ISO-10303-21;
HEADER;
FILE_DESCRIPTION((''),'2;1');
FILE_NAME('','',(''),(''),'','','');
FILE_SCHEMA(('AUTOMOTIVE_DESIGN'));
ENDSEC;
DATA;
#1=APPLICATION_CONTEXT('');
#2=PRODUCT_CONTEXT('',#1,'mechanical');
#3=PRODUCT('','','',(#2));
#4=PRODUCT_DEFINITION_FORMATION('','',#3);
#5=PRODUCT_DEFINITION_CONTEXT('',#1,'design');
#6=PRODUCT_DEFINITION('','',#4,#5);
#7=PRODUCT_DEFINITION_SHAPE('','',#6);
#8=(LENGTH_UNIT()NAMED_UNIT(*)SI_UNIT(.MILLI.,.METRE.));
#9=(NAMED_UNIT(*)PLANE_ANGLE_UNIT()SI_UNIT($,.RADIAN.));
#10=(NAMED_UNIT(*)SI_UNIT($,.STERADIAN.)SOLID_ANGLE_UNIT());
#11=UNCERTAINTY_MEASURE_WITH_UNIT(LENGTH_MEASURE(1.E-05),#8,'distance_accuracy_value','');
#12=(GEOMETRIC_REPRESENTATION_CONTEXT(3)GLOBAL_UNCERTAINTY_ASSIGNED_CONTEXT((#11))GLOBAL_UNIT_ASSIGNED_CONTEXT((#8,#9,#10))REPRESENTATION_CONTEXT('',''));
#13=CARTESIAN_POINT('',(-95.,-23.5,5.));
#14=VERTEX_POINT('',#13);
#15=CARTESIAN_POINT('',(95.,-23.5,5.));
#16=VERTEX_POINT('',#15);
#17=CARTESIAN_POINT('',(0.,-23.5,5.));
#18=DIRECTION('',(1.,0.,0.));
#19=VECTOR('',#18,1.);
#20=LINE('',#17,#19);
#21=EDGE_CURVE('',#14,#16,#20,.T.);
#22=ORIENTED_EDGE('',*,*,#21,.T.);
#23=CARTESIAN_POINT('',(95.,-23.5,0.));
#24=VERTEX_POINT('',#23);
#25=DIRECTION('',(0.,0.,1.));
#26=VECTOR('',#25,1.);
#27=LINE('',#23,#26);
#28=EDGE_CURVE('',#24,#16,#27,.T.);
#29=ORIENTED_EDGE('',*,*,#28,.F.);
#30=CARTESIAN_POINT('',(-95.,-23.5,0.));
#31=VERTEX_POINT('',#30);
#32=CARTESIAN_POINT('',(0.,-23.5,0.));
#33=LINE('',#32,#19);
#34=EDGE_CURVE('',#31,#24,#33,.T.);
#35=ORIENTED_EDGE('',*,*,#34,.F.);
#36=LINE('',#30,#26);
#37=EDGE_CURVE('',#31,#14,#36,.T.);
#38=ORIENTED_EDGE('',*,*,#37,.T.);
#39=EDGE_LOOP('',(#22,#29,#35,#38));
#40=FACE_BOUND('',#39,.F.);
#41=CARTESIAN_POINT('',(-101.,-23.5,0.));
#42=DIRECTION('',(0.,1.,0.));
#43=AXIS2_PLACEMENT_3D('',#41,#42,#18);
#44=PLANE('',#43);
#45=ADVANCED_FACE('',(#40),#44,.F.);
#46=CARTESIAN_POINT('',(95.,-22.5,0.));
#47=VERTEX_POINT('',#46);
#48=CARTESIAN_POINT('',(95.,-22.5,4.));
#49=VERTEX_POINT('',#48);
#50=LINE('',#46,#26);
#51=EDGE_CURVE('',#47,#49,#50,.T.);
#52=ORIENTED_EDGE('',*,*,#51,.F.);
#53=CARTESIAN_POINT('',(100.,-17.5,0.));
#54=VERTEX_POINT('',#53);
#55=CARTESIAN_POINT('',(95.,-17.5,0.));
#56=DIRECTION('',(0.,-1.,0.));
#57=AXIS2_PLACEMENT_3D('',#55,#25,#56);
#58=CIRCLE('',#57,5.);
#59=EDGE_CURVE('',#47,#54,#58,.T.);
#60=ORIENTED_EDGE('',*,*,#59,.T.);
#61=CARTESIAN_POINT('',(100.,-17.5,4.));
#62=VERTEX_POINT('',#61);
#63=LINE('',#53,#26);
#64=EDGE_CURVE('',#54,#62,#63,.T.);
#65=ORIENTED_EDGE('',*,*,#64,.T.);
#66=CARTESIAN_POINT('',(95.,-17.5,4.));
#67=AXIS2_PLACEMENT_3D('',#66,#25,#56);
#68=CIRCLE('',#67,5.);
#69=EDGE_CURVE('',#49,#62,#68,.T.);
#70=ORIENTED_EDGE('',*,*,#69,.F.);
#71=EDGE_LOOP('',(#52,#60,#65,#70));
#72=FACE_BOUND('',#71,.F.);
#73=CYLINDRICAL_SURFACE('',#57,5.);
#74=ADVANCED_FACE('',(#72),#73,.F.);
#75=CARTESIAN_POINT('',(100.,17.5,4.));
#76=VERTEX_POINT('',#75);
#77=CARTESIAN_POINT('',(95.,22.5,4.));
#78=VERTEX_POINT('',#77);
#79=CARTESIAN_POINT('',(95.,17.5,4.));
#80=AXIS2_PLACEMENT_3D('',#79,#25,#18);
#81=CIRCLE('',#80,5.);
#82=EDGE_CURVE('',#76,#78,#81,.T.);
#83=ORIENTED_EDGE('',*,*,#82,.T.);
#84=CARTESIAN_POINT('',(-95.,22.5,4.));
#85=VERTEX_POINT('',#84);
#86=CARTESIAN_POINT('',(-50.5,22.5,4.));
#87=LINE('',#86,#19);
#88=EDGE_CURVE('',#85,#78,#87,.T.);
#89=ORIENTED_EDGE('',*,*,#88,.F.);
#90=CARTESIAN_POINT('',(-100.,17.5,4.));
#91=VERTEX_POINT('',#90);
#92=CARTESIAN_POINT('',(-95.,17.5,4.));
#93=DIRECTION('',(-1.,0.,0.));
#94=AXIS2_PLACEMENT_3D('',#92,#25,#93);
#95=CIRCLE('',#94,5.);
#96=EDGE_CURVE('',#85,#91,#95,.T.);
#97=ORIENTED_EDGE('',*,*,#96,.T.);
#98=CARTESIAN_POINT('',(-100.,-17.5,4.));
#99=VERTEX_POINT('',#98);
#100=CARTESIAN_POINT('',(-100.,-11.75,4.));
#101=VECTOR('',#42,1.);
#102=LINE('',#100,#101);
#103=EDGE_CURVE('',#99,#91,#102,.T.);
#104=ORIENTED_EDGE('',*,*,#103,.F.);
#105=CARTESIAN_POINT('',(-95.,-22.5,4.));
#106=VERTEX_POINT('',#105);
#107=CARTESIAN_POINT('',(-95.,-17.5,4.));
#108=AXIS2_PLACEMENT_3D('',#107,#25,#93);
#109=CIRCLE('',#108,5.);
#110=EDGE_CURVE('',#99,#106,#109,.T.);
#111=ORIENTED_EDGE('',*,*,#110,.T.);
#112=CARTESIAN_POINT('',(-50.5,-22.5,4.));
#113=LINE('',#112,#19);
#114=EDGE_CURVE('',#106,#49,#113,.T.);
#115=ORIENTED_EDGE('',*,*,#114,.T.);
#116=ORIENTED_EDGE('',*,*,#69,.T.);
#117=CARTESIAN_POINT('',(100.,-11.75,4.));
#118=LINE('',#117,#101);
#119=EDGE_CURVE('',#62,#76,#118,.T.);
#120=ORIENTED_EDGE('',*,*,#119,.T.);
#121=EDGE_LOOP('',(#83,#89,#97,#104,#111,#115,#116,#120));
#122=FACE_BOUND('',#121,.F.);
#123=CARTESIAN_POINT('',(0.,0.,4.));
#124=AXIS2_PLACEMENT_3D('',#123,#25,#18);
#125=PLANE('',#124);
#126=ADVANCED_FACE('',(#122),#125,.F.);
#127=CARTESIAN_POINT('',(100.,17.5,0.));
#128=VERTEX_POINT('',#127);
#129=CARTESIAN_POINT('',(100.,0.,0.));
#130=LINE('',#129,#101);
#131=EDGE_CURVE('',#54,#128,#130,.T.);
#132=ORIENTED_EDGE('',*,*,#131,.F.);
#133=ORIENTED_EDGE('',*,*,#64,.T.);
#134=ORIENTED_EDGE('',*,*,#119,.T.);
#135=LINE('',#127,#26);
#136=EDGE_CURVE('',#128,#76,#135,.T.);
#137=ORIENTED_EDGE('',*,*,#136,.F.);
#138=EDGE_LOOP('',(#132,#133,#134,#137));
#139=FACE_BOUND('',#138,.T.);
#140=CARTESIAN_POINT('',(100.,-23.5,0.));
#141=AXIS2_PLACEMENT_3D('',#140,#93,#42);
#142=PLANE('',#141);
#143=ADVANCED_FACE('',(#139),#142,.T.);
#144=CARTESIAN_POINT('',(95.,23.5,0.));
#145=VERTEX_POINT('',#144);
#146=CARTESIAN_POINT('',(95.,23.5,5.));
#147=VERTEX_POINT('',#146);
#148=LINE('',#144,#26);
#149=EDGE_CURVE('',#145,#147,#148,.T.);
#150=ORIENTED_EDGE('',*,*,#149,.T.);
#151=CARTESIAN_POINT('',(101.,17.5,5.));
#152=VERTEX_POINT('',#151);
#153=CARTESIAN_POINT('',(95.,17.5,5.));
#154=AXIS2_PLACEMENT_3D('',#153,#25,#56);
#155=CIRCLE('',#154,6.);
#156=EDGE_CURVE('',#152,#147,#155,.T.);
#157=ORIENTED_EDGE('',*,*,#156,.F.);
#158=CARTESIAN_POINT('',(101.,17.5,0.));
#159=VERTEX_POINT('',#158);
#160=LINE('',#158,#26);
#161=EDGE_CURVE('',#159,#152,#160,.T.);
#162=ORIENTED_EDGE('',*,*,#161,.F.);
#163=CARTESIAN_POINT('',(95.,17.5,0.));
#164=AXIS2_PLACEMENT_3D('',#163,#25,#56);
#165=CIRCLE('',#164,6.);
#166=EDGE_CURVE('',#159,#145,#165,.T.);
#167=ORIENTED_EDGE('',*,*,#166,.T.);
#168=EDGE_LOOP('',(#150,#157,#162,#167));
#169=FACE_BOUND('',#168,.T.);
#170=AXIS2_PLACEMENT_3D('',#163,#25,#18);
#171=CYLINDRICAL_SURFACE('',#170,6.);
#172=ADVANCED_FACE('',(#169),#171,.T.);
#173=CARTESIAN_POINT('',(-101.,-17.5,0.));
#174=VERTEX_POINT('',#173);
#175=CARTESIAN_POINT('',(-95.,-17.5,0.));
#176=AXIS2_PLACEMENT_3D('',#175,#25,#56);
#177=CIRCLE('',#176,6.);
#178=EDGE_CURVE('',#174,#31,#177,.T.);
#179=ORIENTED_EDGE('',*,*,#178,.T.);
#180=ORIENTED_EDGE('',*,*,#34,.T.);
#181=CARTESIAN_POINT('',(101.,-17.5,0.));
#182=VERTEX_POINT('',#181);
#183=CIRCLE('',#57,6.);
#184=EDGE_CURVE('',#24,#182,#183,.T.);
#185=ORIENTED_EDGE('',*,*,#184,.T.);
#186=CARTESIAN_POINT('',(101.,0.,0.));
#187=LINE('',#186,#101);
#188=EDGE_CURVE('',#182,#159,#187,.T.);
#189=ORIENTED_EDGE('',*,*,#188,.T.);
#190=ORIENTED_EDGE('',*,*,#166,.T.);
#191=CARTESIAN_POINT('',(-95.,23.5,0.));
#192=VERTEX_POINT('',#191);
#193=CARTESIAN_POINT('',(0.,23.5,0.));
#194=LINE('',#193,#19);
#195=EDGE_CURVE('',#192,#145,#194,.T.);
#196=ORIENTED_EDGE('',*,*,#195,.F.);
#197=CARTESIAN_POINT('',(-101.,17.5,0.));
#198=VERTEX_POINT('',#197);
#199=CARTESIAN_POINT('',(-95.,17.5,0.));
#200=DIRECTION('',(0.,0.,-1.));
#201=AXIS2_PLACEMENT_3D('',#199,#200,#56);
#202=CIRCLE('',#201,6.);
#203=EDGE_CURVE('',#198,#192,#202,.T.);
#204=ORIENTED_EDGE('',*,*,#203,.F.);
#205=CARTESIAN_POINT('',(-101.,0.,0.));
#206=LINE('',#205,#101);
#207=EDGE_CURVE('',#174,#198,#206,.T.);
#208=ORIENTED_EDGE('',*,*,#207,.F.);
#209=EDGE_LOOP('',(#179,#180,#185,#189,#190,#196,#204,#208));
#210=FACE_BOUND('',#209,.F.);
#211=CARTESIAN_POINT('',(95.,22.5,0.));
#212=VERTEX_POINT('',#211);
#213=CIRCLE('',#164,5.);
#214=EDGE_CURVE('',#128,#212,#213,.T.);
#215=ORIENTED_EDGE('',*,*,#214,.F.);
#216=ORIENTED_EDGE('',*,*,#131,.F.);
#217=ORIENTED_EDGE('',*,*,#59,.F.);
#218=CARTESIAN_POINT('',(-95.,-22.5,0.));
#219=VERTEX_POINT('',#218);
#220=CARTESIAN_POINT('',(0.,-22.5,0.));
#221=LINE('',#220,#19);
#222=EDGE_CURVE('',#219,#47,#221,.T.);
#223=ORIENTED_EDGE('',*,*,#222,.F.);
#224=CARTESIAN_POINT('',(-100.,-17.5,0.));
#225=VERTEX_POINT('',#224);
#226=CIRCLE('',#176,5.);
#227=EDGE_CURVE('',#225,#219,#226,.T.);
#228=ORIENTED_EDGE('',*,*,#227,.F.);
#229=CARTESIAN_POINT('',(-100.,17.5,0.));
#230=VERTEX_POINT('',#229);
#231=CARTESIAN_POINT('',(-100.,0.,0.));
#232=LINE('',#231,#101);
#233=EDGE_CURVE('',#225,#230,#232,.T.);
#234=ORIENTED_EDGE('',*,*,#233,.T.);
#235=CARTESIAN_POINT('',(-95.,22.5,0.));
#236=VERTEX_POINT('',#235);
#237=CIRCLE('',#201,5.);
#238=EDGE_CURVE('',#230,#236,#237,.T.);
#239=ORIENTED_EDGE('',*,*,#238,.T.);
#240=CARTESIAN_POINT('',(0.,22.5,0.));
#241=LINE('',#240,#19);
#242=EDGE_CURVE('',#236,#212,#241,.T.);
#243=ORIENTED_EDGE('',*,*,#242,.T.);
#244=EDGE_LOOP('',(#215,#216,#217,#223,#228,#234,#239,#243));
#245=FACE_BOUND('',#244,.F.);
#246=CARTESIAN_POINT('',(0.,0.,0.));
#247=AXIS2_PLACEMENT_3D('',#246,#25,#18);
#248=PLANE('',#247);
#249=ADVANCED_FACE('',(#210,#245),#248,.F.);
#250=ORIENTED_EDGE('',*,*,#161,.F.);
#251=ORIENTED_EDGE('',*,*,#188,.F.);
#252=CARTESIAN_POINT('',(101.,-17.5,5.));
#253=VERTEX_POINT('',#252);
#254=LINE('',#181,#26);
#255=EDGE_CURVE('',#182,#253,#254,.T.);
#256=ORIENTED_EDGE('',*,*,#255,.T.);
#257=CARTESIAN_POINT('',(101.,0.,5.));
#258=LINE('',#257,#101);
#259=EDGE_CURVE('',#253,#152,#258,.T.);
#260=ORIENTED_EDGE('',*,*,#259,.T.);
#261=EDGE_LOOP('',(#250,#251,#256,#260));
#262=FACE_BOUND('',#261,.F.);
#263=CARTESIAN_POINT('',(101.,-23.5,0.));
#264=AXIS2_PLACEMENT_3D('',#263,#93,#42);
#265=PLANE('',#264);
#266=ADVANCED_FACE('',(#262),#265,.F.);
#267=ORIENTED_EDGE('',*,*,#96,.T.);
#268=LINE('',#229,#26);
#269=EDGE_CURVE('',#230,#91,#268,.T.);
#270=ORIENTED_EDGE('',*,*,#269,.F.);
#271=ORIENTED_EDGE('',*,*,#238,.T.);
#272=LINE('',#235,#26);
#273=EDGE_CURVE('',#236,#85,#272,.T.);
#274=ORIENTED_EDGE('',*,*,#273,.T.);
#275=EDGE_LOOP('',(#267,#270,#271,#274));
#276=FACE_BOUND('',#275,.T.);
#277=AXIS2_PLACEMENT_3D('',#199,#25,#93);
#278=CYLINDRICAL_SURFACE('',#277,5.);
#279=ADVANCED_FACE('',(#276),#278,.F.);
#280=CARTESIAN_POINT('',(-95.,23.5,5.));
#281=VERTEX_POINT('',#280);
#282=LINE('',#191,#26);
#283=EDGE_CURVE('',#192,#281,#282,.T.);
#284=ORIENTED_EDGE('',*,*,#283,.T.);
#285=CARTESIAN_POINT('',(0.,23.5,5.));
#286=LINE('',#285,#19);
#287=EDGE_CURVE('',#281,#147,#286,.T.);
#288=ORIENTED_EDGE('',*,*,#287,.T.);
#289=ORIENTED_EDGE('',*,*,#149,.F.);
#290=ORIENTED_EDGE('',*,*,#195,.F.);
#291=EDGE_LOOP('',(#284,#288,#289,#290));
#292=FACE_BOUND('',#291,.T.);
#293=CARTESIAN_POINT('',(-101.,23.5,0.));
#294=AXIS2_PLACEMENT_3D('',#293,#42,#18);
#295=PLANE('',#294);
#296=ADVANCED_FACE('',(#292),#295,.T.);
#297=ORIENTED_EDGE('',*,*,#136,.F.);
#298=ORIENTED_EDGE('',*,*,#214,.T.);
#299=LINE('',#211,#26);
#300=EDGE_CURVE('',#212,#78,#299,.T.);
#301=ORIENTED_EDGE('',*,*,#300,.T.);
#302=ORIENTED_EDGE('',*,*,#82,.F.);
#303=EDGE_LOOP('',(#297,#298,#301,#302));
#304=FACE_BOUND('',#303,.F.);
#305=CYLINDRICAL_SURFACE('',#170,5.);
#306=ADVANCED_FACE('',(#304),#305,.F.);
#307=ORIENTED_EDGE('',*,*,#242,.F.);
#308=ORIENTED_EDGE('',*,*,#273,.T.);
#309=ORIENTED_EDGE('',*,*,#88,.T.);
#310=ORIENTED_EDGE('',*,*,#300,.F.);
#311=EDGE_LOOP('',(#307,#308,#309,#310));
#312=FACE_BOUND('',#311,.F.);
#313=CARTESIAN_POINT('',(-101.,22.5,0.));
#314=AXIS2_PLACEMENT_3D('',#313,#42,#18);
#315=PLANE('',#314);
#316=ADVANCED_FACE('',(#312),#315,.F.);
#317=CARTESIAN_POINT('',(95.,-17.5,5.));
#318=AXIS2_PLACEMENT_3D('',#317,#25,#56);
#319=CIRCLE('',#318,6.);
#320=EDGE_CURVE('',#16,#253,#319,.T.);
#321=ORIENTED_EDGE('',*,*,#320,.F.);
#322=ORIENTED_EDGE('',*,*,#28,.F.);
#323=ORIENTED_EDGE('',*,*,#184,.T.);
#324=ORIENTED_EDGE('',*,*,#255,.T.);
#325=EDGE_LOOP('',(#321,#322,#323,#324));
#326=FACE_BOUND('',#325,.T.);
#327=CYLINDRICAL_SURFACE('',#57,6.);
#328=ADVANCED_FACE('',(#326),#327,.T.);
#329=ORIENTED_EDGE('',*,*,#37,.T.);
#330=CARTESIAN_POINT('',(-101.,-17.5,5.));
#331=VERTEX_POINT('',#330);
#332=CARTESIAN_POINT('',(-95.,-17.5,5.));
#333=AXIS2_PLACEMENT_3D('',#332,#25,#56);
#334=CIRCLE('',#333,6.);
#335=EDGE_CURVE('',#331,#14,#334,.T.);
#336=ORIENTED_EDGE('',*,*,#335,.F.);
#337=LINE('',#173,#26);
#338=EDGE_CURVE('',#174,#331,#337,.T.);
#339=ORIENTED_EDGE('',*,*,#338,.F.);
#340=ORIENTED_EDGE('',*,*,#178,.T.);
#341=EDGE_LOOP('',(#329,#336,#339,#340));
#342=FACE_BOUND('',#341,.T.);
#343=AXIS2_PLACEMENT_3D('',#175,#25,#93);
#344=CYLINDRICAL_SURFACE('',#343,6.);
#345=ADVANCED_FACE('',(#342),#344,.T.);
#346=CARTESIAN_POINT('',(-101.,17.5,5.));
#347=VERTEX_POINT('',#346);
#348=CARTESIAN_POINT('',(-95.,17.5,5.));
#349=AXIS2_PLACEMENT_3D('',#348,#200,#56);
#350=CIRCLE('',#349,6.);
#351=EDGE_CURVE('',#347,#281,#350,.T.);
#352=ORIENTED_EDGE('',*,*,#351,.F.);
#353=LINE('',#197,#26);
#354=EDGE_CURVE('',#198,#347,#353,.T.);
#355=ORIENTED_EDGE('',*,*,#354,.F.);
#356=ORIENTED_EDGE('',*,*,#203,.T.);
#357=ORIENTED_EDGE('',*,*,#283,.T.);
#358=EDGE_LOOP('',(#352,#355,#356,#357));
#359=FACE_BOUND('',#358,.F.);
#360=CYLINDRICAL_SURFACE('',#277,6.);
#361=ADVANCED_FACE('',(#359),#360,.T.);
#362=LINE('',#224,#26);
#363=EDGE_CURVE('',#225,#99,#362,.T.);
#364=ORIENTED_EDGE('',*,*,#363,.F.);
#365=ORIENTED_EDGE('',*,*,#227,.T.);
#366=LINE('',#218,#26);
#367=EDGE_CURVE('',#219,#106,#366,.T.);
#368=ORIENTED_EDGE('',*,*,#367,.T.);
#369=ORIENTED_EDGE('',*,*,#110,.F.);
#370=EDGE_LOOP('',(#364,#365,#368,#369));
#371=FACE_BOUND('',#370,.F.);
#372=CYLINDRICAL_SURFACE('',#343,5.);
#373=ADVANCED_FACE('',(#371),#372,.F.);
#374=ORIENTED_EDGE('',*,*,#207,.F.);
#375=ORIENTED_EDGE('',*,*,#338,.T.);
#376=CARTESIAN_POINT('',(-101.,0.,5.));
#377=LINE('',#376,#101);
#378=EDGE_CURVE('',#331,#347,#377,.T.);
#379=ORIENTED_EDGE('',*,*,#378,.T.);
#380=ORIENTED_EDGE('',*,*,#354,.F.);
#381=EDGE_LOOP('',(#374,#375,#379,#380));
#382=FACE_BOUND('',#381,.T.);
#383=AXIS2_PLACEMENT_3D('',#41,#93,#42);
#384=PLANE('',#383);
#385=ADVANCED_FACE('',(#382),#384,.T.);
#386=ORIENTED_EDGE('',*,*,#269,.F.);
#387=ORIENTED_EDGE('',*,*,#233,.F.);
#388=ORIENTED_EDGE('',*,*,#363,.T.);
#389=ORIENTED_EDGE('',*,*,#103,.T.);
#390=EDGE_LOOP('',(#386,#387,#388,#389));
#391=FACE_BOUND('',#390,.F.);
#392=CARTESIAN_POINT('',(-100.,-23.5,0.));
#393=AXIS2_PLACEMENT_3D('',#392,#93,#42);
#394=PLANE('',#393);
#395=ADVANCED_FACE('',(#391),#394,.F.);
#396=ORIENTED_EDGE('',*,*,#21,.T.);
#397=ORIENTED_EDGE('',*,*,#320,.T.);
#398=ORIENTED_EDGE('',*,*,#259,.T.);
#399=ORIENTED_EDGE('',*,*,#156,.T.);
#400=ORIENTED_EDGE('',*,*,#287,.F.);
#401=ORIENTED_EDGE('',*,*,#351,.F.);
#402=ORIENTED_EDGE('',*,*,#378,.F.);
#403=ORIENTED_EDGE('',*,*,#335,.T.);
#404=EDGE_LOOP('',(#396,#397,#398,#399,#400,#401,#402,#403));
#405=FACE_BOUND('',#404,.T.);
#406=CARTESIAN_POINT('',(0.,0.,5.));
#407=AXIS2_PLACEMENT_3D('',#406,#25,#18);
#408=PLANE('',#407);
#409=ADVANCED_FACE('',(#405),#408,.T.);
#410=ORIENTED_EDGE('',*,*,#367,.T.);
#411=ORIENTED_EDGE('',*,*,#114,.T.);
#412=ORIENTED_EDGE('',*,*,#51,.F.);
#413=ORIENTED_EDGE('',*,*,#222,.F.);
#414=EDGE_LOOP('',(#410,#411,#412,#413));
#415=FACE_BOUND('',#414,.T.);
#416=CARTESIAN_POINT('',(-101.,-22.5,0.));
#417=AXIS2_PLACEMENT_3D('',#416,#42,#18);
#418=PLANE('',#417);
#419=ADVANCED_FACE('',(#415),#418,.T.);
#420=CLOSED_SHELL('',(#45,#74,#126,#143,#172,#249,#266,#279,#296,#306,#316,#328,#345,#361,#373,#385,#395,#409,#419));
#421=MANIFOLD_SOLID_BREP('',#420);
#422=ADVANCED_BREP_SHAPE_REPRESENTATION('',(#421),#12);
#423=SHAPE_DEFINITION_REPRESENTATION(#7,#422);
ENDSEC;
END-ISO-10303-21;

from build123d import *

# Parameters (mm, degrees)
SKETCH002_W    = 202
SKETCH002_H    = 47
PAD001_DEPTH   = 5
FILLET001_R    = 6
THICKNESS001_T = -1


with BuildPart() as part:
    # Sketch002 → Pad001 (new body)
    with BuildSketch(Plane.XY):
        Rectangle(SKETCH002_W, SKETCH002_H)
    extrude(amount=PAD001_DEPTH)

    # Fillet001
    fillet001_edges = [part.edges().sort_by_distance(p)[0] for p in [
        (-101, -23.5, 2.5),
        (101, -23.5, 2.5),
        (-101, 23.5, 2.5),
        (101, 23.5, 2.5),
    ]]
    fillet(fillet001_edges, radius=FILLET001_R)

    # Thickness001
    thickness001_openings = [part.faces().sort_by_distance(p)[0] for p in [
        (0, 0, 0),
    ]]
    offset(amount=THICKNESS001_T, openings=thickness001_openings)


solid = part.part
